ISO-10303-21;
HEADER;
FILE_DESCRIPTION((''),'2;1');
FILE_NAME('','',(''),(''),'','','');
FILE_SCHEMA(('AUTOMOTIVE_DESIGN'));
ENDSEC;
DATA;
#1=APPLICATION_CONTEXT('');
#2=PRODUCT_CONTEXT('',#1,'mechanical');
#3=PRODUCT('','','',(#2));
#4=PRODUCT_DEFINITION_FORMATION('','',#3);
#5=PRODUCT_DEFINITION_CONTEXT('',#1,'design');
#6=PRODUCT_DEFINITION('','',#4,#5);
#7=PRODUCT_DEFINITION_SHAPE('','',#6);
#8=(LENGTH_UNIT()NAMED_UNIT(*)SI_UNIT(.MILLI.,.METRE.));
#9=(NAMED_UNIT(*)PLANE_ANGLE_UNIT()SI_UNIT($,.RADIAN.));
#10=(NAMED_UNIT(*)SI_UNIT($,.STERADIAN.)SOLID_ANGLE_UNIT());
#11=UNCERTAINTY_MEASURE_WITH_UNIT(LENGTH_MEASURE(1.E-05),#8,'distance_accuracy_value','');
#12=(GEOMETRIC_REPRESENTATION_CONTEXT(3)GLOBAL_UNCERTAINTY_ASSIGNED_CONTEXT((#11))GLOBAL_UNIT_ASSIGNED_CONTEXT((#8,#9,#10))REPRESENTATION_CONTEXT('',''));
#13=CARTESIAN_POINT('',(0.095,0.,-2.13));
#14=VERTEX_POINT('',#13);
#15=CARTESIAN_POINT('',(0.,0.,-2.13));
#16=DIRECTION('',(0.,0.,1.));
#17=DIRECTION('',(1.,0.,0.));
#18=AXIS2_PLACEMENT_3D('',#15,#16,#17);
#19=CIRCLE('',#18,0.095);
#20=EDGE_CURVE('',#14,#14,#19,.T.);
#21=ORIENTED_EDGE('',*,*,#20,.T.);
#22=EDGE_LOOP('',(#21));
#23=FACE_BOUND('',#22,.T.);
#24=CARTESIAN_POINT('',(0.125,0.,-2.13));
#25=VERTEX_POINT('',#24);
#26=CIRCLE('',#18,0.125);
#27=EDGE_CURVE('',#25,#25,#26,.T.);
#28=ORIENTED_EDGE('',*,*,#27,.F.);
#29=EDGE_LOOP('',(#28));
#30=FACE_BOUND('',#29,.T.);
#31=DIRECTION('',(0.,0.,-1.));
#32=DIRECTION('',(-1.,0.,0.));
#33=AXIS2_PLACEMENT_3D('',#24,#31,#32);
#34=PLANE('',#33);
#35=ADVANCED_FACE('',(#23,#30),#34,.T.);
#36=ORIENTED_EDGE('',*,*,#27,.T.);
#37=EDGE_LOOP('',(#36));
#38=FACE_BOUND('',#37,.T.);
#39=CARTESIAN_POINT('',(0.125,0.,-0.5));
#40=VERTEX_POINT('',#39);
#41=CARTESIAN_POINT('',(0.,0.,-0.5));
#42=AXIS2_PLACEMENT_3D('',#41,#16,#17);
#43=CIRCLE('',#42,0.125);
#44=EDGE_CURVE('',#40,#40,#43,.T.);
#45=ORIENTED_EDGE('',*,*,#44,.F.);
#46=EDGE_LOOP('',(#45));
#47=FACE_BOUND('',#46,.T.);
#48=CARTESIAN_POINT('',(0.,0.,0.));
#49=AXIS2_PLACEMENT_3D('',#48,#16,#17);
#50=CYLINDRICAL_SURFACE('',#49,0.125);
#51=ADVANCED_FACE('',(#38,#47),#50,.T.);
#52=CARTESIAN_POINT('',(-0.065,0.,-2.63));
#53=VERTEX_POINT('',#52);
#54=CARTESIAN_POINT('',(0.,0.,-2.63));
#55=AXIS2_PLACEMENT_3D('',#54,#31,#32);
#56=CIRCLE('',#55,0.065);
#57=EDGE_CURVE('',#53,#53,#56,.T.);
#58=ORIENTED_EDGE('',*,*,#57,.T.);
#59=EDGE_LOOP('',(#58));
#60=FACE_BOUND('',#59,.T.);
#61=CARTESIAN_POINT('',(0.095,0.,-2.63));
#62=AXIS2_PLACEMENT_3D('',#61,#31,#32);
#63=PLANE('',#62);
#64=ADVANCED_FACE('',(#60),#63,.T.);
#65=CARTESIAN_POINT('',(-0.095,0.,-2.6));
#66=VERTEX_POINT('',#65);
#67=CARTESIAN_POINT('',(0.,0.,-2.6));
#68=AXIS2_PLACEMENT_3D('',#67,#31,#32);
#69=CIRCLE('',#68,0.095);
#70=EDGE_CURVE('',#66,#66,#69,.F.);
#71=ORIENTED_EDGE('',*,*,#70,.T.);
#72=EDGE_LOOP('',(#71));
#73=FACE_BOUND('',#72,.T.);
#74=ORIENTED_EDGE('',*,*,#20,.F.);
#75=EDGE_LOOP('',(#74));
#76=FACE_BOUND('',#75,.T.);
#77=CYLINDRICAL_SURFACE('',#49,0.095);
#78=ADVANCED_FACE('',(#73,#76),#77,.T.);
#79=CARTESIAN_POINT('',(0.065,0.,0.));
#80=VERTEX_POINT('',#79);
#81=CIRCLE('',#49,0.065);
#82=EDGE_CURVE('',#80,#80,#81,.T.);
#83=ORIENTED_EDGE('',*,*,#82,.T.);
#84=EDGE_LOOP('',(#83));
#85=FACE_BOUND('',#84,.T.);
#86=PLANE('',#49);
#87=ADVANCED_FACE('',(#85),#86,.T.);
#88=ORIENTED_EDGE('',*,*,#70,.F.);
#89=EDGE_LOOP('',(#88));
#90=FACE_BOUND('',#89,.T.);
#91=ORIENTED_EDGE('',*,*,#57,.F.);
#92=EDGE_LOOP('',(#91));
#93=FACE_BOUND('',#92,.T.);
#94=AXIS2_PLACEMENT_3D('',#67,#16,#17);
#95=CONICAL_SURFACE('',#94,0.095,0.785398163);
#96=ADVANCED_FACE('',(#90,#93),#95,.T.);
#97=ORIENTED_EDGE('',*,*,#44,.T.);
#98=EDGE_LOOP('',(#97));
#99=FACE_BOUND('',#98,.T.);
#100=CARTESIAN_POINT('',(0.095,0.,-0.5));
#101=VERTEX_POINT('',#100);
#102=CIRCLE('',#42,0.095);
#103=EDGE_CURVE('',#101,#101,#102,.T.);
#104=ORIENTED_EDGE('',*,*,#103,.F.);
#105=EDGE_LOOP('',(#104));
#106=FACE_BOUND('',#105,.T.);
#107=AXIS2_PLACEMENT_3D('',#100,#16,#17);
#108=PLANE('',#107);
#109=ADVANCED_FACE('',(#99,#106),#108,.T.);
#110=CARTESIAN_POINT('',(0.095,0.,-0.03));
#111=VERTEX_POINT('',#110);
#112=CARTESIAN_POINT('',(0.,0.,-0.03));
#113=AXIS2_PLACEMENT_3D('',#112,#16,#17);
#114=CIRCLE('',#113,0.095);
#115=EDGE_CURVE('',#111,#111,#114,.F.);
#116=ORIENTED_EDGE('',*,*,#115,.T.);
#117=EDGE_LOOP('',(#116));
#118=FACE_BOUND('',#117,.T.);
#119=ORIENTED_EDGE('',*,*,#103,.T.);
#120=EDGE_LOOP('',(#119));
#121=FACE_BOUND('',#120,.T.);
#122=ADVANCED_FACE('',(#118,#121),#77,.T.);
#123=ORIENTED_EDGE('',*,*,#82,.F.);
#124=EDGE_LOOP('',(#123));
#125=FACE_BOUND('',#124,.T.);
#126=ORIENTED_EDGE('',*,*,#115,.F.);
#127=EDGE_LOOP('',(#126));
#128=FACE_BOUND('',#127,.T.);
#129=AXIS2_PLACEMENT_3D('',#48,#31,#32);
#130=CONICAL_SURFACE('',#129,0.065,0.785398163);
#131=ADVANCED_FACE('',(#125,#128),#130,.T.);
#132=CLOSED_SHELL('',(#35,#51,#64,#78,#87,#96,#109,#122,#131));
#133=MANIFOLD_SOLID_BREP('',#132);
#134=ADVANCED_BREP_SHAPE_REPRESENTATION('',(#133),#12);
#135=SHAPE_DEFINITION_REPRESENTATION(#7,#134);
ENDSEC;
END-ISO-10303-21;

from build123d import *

# Parameters (mm, degrees)
CHAMFER1_SIZE = 0.03


with BuildPart() as part:
    # Sketch2 → Revolve1 (revolve)
    with BuildSketch(Plane(origin=(0, 0, 0), x_dir=(1, 0, 0), z_dir=(0, 1, 0))):
        Polygon((0, 0), (0.095, 0), (0.095, 0.5), (0.125, 0.5), (0.125, 2.13), (0.095, 2.13), (0.095, 2.63), (0, 2.63), align=None)
    revolve(axis=Axis((0, 0, 0), (0, 0, -1)))

    # Chamfer1
    chamfer1_edges = [part.edges().sort_by_distance(p)[0] for p in [
        (-0.095, 0, -2.63),
        (-0.095, 0, 0),
    ]]
    chamfer(chamfer1_edges, length=CHAMFER1_SIZE)


solid = part.part
